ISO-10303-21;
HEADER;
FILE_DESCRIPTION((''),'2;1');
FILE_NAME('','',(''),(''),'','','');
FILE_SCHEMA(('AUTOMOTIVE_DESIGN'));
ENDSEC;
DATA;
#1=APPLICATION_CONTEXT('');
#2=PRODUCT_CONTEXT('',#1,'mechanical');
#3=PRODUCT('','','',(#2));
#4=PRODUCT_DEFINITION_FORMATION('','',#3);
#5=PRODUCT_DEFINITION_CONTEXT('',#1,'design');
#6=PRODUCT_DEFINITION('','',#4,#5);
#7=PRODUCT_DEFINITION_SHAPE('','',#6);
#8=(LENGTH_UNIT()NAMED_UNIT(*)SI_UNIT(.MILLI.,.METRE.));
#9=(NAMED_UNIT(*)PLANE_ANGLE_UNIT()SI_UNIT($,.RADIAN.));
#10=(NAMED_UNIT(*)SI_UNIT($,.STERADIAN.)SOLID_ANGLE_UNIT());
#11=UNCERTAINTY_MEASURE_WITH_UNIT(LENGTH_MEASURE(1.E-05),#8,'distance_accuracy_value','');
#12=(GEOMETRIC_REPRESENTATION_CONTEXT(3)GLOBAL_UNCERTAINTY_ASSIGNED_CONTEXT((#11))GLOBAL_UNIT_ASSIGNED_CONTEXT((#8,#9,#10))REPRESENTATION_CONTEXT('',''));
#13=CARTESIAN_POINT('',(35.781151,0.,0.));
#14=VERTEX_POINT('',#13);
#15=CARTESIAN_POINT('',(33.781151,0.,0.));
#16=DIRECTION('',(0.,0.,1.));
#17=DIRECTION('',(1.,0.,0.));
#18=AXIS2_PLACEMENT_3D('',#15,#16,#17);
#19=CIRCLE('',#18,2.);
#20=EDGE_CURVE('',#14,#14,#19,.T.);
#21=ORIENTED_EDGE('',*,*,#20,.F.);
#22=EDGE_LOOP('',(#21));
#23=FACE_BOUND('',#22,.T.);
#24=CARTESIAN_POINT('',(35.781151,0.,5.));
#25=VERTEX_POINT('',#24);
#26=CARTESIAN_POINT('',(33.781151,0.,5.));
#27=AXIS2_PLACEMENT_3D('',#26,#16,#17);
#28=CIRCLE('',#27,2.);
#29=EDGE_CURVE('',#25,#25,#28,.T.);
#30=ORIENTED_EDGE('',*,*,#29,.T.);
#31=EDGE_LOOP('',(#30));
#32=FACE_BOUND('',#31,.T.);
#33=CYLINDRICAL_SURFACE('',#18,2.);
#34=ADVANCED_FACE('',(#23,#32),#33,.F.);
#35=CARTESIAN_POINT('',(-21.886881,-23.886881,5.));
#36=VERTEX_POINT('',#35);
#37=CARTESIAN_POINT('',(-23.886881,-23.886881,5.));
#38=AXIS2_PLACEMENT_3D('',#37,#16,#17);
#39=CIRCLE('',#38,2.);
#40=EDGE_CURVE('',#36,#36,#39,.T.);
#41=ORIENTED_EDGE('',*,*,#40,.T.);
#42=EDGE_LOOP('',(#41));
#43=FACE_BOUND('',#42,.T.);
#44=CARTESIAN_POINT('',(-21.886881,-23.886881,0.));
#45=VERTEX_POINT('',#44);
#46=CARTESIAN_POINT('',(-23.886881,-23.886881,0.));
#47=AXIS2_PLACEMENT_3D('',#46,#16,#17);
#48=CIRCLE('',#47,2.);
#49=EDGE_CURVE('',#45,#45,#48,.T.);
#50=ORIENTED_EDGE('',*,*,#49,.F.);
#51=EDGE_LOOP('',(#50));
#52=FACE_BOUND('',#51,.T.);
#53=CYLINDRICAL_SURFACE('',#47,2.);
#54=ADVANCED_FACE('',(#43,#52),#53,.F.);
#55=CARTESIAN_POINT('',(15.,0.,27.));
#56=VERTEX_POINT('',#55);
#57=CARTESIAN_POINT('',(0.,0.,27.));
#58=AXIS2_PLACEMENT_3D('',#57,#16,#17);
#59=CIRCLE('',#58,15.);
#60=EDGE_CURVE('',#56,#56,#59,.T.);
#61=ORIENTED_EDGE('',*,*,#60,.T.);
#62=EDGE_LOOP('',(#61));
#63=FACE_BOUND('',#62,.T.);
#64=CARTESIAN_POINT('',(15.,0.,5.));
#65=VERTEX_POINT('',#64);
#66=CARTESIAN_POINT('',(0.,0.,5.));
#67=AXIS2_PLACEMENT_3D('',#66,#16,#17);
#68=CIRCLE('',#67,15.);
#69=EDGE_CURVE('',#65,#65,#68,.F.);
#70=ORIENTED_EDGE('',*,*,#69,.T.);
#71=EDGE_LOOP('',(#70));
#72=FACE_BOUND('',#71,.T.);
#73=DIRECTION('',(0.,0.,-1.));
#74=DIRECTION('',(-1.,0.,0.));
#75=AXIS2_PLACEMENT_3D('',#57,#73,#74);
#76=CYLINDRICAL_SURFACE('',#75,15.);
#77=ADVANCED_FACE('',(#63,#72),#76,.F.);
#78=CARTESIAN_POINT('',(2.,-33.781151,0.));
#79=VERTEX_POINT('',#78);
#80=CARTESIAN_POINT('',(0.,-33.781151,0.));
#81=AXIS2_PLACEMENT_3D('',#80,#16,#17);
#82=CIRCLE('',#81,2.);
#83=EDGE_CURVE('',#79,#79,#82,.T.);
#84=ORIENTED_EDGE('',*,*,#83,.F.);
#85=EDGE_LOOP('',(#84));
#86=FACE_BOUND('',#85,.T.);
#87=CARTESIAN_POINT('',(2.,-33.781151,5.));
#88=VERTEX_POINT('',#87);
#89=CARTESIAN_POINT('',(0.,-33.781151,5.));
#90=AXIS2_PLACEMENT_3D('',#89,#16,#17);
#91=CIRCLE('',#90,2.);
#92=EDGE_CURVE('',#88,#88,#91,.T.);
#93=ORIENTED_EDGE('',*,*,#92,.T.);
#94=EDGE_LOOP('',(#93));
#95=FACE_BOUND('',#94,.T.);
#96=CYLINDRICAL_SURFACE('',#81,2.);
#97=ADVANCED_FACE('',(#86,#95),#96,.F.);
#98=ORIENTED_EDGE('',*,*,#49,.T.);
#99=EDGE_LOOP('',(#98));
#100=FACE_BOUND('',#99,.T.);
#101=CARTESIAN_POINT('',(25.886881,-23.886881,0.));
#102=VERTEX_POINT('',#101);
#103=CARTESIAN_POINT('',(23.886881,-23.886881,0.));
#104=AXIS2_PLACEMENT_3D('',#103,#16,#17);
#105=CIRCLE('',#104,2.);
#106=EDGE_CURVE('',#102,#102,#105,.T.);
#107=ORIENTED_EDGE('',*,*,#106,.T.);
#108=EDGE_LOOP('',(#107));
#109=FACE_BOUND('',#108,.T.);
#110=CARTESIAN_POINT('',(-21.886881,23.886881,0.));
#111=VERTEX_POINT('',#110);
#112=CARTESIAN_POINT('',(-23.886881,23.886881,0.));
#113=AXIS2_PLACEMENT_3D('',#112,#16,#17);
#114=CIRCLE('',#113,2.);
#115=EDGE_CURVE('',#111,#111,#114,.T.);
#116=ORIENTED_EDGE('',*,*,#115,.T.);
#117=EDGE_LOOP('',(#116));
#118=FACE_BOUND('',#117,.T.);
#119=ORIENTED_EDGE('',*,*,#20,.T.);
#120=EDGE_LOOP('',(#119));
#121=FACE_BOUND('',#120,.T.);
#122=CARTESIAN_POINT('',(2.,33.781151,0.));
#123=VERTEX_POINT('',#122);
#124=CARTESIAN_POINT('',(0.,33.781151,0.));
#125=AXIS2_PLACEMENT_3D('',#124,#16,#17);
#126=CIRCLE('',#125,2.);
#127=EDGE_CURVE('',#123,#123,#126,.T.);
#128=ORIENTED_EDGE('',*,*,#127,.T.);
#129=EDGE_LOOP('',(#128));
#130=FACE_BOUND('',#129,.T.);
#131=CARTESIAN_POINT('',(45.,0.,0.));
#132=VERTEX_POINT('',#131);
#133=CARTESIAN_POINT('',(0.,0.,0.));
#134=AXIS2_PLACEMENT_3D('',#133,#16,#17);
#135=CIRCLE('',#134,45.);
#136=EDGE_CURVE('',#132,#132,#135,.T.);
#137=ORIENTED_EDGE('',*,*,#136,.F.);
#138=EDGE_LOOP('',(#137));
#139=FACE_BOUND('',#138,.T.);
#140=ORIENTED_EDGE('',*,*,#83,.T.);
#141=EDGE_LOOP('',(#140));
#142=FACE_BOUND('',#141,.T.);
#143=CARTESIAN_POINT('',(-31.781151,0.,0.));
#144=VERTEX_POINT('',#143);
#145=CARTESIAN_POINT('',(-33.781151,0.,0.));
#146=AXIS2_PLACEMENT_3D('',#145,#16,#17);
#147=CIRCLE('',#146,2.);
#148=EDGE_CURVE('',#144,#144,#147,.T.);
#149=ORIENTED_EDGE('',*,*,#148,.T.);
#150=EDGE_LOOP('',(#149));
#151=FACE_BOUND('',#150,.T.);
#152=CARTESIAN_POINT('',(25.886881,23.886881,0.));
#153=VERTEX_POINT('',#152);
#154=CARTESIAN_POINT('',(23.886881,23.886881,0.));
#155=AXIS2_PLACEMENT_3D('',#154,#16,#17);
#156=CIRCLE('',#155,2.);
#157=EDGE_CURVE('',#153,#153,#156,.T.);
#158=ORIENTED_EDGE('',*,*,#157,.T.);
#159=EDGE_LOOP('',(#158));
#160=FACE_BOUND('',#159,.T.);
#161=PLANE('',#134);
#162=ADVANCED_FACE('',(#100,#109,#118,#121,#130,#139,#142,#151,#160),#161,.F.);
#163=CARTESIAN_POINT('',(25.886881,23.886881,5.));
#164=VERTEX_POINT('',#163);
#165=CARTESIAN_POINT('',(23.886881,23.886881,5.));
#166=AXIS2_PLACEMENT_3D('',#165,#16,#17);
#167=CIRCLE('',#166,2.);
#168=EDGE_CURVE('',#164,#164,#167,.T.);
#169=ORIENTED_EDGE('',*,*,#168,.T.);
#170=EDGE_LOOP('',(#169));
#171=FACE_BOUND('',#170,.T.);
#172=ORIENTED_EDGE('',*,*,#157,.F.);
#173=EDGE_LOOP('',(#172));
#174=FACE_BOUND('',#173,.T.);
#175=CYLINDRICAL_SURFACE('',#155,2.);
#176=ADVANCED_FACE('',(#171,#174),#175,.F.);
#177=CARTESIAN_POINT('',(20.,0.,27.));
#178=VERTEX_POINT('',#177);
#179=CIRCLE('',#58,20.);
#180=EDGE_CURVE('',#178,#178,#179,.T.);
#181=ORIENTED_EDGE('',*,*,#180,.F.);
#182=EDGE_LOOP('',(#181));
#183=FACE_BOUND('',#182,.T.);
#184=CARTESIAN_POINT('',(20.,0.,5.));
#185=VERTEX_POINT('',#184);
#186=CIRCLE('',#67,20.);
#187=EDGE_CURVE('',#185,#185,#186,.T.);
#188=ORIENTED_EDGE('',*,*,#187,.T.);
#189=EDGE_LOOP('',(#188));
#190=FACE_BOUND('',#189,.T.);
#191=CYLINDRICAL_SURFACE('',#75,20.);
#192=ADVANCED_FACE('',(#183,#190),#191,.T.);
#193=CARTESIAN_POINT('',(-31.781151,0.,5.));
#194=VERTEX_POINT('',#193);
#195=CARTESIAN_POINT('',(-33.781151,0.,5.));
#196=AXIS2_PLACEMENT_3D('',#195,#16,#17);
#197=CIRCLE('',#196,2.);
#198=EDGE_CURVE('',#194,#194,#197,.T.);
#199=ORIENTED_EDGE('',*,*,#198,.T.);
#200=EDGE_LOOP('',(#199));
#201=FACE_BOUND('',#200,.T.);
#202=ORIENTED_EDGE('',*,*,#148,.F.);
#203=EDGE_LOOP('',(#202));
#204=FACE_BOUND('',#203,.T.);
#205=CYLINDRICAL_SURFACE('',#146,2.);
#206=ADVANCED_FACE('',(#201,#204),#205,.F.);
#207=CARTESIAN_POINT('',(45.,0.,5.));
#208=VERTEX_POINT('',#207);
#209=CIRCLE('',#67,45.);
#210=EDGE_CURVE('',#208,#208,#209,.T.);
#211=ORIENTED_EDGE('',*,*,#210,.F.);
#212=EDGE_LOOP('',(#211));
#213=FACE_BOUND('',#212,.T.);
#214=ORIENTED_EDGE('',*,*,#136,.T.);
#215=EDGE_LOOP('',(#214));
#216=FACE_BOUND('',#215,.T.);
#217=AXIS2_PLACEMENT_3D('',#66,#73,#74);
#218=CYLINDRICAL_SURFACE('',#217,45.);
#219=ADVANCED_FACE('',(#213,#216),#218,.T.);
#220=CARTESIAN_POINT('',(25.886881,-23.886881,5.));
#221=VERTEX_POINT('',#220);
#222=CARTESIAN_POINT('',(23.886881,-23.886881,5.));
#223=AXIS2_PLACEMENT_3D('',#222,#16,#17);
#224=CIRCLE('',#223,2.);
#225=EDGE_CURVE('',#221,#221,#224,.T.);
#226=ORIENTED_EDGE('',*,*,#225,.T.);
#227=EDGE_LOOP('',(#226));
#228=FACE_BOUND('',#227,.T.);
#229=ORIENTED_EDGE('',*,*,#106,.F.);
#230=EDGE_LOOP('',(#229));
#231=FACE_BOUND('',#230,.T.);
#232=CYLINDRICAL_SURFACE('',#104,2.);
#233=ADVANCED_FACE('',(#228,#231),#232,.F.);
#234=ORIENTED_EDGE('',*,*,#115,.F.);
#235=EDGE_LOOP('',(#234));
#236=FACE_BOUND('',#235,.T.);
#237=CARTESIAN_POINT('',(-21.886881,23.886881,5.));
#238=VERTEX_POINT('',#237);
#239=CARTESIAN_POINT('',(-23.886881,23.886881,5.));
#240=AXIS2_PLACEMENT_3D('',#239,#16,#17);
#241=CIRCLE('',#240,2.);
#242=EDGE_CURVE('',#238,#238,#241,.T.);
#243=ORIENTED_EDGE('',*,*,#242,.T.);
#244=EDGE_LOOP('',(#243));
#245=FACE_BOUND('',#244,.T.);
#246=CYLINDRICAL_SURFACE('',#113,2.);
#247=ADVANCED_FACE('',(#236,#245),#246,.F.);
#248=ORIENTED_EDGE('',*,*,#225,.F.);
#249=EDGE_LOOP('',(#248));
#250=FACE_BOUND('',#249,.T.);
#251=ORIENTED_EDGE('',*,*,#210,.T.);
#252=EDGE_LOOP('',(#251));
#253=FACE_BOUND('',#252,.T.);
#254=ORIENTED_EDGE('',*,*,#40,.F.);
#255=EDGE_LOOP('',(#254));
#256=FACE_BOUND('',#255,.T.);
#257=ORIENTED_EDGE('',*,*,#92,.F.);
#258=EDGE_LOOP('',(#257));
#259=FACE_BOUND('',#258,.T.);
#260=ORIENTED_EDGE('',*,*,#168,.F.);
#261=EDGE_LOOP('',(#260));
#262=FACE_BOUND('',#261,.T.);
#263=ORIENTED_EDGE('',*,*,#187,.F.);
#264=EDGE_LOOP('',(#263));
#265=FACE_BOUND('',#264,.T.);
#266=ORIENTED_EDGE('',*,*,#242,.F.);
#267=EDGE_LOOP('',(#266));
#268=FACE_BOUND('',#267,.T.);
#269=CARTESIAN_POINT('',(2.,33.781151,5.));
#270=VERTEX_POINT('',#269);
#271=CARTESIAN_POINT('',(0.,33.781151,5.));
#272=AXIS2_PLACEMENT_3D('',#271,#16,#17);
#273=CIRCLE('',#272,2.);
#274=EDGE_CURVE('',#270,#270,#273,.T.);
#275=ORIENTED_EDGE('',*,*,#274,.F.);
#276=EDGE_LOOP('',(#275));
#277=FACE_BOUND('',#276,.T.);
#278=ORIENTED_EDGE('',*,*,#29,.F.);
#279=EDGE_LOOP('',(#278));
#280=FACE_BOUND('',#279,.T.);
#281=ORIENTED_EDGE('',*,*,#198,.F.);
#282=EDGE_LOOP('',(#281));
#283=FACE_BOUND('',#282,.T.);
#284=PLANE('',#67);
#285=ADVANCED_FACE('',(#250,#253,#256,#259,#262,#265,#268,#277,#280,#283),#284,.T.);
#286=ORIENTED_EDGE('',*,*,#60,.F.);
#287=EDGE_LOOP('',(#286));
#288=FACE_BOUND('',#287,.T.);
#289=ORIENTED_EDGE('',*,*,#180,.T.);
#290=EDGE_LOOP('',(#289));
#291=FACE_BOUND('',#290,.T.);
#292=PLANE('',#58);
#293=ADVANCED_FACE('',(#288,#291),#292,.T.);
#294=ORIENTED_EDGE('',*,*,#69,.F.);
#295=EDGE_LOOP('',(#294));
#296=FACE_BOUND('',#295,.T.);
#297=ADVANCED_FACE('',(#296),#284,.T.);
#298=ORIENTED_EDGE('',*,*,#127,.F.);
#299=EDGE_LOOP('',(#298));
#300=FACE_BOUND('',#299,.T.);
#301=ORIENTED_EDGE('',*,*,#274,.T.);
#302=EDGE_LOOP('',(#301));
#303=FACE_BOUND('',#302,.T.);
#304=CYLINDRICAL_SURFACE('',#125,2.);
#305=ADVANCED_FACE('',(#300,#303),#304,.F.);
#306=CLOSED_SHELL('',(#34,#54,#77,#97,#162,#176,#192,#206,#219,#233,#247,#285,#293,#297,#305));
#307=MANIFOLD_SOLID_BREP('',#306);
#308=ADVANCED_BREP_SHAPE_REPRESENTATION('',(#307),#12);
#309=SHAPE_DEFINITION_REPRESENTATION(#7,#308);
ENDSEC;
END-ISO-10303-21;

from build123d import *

# Parameters (mm, degrees)
SKETCH_1_R          = 45
EXTRUDE_1_DEPTH     = 5
SKETCH_2_R          = 20
SKETCH_2_R_2        = 15
EXTRUDE_2_DEPTH     = 22
SKETCH_3_R          = 2
CUT_EXTRUDE_3_DEPTH = 68.334983478


with BuildPart() as part:
    # Эскиз1 → Вытянуть1 (new body)
    with BuildSketch(Plane.XY):
        Circle(SKETCH_1_R)
    extrude(amount=EXTRUDE_1_DEPTH)

    # Эскиз2 → Вытянуть2 (add)
    with BuildSketch(Plane.XY.offset(5)):
        Circle(SKETCH_2_R)
        Circle(SKETCH_2_R_2, mode=Mode.SUBTRACT)
    extrude(amount=EXTRUDE_2_DEPTH)

    # Эскиз3 → Вытянуть3 (cut, through all)
    with BuildSketch(Plane.XY.offset(5)):
        with Locations((0, 33.781150957)):
            Circle(SKETCH_3_R)
        with Locations((23.886880918, 23.886880918)):
            Circle(SKETCH_3_R)
        with Locations((33.781150957, 0)):
            Circle(SKETCH_3_R)
        with Locations((23.886880918, -23.886880918)):
            Circle(SKETCH_3_R)
        with Locations((0, -33.781150957)):
            Circle(SKETCH_3_R)
        with Locations((-23.886880918, -23.886880918)):
            Circle(SKETCH_3_R)
        with Locations((-33.781150957, 0)):
            Circle(SKETCH_3_R)
        with Locations((-23.886880918, 23.886880918)):
            Circle(SKETCH_3_R)
    extrude(amount=-CUT_EXTRUDE_3_DEPTH, mode=Mode.SUBTRACT)


solid = part.part
